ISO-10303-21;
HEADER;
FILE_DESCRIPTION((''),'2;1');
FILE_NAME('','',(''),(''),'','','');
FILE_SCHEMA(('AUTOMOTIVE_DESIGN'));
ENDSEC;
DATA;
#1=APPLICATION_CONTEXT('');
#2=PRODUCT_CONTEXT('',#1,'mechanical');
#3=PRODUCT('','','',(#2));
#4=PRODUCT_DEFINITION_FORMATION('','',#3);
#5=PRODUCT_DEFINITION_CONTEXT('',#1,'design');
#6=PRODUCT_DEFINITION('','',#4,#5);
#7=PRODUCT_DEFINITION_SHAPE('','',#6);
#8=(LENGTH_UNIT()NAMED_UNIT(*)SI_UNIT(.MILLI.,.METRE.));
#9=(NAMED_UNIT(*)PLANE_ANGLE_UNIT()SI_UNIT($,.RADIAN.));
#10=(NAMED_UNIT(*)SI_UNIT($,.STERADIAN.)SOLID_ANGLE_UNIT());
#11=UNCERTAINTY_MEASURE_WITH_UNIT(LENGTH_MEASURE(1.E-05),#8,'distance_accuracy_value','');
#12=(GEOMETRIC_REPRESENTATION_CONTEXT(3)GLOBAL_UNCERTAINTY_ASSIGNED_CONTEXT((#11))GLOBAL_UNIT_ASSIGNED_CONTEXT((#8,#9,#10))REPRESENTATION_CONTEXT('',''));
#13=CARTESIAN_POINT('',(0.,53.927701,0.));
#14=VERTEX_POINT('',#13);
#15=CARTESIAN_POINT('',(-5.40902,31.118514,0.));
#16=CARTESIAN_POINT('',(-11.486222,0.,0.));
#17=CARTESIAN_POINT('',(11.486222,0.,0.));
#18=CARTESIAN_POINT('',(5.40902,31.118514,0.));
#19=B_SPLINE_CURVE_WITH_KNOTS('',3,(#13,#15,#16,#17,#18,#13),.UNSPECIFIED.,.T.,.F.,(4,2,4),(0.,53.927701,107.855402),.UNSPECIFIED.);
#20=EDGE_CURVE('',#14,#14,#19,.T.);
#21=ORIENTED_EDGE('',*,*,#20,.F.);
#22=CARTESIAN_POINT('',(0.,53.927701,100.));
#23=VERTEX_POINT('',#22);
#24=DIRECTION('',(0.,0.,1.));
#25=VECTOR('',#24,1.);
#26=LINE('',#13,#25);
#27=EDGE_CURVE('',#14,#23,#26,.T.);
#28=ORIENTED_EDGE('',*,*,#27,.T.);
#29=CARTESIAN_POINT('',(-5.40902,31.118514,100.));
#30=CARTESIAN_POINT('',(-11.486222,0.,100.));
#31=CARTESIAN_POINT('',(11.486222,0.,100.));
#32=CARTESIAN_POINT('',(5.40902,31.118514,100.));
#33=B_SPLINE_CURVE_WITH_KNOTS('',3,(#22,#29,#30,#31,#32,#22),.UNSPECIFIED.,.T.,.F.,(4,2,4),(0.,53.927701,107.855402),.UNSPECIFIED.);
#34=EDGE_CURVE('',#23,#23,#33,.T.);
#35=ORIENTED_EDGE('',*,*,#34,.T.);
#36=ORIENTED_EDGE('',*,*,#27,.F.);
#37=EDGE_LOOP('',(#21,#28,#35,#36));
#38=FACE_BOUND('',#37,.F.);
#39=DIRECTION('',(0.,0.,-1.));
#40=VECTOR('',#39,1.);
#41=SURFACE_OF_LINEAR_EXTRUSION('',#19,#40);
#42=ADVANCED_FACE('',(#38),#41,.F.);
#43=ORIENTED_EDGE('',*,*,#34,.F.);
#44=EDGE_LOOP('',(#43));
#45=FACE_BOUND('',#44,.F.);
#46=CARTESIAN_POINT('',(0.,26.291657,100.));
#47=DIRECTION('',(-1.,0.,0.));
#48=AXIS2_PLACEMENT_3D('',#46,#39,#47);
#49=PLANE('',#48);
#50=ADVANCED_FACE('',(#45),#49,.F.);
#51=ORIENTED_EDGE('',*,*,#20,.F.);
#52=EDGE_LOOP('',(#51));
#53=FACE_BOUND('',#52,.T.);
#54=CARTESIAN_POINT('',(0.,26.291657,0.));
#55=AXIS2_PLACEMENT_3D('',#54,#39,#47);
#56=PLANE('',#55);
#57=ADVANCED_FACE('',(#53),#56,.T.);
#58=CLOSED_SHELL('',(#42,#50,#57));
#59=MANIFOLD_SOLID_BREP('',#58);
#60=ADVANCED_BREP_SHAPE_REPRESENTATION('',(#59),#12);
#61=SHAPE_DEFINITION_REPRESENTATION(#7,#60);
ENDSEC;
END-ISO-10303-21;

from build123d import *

# Parameters (mm, degrees)
F1_DEPTH = 100


with BuildPart() as f1:
    # F0 (on Top) → F1 (new body)
    with BuildSketch(Plane.XY):
        with BuildLine():
            add(Edge.make_bspline(
                [(0, 0), (-11.486222, 0), (-5.40902, 31.118514), (0, 53.927701)],
                knots=[0, 0, 0, 0, 53.927701, 53.927701, 53.927701, 53.927701], degree=3))
            add(Edge.make_bspline(
                [(0, 0), (11.486222, 0), (5.40902, 31.118514), (0, 53.927701)],
                knots=[0, 0, 0, 0, 53.927701, 53.927701, 53.927701, 53.927701], degree=3))
        make_face()
    extrude(amount=F1_DEPTH)


solid = f1.part
